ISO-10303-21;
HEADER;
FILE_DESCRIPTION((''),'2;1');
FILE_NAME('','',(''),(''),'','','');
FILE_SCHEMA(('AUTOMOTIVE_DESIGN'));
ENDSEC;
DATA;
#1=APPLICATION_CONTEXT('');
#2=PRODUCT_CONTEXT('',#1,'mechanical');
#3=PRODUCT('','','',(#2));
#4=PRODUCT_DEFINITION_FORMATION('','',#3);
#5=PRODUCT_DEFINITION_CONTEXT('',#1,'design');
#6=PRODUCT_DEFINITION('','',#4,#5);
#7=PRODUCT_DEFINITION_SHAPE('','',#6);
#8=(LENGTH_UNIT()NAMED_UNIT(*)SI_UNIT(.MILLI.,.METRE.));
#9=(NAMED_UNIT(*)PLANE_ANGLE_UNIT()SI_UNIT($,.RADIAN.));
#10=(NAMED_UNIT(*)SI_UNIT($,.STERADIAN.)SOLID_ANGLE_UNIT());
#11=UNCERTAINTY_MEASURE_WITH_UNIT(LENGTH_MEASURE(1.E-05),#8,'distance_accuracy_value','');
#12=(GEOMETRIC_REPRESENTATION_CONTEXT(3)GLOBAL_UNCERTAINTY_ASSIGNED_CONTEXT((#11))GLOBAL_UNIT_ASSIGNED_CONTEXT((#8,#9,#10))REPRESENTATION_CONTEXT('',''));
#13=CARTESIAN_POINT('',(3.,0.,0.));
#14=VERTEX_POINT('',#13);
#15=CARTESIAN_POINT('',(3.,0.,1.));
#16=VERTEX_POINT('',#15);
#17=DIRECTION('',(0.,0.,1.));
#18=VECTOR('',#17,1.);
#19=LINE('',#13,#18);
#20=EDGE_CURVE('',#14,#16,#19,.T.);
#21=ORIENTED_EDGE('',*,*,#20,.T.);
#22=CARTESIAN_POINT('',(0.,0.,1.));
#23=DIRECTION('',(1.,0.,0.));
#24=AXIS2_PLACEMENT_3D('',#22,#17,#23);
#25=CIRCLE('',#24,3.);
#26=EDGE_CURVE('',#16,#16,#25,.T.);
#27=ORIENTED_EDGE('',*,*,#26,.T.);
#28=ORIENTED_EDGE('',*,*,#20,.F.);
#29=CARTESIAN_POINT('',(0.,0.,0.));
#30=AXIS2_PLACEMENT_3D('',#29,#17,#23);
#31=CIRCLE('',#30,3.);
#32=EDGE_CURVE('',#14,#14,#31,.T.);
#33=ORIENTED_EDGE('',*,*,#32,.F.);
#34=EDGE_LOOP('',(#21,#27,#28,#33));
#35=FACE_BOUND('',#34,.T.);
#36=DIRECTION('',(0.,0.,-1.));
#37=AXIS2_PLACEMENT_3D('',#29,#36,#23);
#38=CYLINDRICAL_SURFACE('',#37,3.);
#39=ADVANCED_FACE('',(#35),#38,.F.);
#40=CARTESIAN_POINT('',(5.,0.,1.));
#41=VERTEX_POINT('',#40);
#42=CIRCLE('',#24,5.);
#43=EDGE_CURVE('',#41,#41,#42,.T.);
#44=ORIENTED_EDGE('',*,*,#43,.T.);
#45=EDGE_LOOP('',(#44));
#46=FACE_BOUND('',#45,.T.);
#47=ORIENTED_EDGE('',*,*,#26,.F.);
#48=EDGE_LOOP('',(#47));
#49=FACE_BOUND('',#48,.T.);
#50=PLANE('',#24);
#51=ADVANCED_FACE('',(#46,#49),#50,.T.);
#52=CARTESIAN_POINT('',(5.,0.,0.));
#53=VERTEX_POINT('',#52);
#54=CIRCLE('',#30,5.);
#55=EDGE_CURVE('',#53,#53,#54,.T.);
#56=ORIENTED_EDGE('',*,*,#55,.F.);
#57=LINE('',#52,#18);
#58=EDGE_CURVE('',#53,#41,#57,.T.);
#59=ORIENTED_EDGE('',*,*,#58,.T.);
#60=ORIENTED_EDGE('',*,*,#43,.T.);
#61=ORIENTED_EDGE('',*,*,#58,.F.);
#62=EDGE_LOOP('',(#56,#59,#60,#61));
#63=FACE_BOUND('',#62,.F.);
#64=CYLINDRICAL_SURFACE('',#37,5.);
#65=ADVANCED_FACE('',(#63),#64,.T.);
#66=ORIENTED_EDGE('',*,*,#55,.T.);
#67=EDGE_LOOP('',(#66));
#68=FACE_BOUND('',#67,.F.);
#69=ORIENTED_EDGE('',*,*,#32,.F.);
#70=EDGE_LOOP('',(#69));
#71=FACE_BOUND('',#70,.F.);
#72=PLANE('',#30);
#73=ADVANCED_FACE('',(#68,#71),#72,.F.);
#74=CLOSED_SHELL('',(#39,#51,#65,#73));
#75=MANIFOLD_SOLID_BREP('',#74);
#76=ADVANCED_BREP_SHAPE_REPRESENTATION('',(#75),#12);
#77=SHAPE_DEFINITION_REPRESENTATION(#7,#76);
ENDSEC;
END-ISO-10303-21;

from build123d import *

# Parameters (mm, degrees)
ESQUISSE1_R        = 5
ESQUISSE1_R_2      = 3
BOSS_EXTRU_1_DEPTH = 1


with BuildPart() as part:
    # Esquisse1 → Boss.-Extru.1 (new body)
    with BuildSketch(Plane.XY):
        Circle(ESQUISSE1_R)
        Circle(ESQUISSE1_R_2, mode=Mode.SUBTRACT)
    extrude(amount=BOSS_EXTRU_1_DEPTH)


solid = part.part
